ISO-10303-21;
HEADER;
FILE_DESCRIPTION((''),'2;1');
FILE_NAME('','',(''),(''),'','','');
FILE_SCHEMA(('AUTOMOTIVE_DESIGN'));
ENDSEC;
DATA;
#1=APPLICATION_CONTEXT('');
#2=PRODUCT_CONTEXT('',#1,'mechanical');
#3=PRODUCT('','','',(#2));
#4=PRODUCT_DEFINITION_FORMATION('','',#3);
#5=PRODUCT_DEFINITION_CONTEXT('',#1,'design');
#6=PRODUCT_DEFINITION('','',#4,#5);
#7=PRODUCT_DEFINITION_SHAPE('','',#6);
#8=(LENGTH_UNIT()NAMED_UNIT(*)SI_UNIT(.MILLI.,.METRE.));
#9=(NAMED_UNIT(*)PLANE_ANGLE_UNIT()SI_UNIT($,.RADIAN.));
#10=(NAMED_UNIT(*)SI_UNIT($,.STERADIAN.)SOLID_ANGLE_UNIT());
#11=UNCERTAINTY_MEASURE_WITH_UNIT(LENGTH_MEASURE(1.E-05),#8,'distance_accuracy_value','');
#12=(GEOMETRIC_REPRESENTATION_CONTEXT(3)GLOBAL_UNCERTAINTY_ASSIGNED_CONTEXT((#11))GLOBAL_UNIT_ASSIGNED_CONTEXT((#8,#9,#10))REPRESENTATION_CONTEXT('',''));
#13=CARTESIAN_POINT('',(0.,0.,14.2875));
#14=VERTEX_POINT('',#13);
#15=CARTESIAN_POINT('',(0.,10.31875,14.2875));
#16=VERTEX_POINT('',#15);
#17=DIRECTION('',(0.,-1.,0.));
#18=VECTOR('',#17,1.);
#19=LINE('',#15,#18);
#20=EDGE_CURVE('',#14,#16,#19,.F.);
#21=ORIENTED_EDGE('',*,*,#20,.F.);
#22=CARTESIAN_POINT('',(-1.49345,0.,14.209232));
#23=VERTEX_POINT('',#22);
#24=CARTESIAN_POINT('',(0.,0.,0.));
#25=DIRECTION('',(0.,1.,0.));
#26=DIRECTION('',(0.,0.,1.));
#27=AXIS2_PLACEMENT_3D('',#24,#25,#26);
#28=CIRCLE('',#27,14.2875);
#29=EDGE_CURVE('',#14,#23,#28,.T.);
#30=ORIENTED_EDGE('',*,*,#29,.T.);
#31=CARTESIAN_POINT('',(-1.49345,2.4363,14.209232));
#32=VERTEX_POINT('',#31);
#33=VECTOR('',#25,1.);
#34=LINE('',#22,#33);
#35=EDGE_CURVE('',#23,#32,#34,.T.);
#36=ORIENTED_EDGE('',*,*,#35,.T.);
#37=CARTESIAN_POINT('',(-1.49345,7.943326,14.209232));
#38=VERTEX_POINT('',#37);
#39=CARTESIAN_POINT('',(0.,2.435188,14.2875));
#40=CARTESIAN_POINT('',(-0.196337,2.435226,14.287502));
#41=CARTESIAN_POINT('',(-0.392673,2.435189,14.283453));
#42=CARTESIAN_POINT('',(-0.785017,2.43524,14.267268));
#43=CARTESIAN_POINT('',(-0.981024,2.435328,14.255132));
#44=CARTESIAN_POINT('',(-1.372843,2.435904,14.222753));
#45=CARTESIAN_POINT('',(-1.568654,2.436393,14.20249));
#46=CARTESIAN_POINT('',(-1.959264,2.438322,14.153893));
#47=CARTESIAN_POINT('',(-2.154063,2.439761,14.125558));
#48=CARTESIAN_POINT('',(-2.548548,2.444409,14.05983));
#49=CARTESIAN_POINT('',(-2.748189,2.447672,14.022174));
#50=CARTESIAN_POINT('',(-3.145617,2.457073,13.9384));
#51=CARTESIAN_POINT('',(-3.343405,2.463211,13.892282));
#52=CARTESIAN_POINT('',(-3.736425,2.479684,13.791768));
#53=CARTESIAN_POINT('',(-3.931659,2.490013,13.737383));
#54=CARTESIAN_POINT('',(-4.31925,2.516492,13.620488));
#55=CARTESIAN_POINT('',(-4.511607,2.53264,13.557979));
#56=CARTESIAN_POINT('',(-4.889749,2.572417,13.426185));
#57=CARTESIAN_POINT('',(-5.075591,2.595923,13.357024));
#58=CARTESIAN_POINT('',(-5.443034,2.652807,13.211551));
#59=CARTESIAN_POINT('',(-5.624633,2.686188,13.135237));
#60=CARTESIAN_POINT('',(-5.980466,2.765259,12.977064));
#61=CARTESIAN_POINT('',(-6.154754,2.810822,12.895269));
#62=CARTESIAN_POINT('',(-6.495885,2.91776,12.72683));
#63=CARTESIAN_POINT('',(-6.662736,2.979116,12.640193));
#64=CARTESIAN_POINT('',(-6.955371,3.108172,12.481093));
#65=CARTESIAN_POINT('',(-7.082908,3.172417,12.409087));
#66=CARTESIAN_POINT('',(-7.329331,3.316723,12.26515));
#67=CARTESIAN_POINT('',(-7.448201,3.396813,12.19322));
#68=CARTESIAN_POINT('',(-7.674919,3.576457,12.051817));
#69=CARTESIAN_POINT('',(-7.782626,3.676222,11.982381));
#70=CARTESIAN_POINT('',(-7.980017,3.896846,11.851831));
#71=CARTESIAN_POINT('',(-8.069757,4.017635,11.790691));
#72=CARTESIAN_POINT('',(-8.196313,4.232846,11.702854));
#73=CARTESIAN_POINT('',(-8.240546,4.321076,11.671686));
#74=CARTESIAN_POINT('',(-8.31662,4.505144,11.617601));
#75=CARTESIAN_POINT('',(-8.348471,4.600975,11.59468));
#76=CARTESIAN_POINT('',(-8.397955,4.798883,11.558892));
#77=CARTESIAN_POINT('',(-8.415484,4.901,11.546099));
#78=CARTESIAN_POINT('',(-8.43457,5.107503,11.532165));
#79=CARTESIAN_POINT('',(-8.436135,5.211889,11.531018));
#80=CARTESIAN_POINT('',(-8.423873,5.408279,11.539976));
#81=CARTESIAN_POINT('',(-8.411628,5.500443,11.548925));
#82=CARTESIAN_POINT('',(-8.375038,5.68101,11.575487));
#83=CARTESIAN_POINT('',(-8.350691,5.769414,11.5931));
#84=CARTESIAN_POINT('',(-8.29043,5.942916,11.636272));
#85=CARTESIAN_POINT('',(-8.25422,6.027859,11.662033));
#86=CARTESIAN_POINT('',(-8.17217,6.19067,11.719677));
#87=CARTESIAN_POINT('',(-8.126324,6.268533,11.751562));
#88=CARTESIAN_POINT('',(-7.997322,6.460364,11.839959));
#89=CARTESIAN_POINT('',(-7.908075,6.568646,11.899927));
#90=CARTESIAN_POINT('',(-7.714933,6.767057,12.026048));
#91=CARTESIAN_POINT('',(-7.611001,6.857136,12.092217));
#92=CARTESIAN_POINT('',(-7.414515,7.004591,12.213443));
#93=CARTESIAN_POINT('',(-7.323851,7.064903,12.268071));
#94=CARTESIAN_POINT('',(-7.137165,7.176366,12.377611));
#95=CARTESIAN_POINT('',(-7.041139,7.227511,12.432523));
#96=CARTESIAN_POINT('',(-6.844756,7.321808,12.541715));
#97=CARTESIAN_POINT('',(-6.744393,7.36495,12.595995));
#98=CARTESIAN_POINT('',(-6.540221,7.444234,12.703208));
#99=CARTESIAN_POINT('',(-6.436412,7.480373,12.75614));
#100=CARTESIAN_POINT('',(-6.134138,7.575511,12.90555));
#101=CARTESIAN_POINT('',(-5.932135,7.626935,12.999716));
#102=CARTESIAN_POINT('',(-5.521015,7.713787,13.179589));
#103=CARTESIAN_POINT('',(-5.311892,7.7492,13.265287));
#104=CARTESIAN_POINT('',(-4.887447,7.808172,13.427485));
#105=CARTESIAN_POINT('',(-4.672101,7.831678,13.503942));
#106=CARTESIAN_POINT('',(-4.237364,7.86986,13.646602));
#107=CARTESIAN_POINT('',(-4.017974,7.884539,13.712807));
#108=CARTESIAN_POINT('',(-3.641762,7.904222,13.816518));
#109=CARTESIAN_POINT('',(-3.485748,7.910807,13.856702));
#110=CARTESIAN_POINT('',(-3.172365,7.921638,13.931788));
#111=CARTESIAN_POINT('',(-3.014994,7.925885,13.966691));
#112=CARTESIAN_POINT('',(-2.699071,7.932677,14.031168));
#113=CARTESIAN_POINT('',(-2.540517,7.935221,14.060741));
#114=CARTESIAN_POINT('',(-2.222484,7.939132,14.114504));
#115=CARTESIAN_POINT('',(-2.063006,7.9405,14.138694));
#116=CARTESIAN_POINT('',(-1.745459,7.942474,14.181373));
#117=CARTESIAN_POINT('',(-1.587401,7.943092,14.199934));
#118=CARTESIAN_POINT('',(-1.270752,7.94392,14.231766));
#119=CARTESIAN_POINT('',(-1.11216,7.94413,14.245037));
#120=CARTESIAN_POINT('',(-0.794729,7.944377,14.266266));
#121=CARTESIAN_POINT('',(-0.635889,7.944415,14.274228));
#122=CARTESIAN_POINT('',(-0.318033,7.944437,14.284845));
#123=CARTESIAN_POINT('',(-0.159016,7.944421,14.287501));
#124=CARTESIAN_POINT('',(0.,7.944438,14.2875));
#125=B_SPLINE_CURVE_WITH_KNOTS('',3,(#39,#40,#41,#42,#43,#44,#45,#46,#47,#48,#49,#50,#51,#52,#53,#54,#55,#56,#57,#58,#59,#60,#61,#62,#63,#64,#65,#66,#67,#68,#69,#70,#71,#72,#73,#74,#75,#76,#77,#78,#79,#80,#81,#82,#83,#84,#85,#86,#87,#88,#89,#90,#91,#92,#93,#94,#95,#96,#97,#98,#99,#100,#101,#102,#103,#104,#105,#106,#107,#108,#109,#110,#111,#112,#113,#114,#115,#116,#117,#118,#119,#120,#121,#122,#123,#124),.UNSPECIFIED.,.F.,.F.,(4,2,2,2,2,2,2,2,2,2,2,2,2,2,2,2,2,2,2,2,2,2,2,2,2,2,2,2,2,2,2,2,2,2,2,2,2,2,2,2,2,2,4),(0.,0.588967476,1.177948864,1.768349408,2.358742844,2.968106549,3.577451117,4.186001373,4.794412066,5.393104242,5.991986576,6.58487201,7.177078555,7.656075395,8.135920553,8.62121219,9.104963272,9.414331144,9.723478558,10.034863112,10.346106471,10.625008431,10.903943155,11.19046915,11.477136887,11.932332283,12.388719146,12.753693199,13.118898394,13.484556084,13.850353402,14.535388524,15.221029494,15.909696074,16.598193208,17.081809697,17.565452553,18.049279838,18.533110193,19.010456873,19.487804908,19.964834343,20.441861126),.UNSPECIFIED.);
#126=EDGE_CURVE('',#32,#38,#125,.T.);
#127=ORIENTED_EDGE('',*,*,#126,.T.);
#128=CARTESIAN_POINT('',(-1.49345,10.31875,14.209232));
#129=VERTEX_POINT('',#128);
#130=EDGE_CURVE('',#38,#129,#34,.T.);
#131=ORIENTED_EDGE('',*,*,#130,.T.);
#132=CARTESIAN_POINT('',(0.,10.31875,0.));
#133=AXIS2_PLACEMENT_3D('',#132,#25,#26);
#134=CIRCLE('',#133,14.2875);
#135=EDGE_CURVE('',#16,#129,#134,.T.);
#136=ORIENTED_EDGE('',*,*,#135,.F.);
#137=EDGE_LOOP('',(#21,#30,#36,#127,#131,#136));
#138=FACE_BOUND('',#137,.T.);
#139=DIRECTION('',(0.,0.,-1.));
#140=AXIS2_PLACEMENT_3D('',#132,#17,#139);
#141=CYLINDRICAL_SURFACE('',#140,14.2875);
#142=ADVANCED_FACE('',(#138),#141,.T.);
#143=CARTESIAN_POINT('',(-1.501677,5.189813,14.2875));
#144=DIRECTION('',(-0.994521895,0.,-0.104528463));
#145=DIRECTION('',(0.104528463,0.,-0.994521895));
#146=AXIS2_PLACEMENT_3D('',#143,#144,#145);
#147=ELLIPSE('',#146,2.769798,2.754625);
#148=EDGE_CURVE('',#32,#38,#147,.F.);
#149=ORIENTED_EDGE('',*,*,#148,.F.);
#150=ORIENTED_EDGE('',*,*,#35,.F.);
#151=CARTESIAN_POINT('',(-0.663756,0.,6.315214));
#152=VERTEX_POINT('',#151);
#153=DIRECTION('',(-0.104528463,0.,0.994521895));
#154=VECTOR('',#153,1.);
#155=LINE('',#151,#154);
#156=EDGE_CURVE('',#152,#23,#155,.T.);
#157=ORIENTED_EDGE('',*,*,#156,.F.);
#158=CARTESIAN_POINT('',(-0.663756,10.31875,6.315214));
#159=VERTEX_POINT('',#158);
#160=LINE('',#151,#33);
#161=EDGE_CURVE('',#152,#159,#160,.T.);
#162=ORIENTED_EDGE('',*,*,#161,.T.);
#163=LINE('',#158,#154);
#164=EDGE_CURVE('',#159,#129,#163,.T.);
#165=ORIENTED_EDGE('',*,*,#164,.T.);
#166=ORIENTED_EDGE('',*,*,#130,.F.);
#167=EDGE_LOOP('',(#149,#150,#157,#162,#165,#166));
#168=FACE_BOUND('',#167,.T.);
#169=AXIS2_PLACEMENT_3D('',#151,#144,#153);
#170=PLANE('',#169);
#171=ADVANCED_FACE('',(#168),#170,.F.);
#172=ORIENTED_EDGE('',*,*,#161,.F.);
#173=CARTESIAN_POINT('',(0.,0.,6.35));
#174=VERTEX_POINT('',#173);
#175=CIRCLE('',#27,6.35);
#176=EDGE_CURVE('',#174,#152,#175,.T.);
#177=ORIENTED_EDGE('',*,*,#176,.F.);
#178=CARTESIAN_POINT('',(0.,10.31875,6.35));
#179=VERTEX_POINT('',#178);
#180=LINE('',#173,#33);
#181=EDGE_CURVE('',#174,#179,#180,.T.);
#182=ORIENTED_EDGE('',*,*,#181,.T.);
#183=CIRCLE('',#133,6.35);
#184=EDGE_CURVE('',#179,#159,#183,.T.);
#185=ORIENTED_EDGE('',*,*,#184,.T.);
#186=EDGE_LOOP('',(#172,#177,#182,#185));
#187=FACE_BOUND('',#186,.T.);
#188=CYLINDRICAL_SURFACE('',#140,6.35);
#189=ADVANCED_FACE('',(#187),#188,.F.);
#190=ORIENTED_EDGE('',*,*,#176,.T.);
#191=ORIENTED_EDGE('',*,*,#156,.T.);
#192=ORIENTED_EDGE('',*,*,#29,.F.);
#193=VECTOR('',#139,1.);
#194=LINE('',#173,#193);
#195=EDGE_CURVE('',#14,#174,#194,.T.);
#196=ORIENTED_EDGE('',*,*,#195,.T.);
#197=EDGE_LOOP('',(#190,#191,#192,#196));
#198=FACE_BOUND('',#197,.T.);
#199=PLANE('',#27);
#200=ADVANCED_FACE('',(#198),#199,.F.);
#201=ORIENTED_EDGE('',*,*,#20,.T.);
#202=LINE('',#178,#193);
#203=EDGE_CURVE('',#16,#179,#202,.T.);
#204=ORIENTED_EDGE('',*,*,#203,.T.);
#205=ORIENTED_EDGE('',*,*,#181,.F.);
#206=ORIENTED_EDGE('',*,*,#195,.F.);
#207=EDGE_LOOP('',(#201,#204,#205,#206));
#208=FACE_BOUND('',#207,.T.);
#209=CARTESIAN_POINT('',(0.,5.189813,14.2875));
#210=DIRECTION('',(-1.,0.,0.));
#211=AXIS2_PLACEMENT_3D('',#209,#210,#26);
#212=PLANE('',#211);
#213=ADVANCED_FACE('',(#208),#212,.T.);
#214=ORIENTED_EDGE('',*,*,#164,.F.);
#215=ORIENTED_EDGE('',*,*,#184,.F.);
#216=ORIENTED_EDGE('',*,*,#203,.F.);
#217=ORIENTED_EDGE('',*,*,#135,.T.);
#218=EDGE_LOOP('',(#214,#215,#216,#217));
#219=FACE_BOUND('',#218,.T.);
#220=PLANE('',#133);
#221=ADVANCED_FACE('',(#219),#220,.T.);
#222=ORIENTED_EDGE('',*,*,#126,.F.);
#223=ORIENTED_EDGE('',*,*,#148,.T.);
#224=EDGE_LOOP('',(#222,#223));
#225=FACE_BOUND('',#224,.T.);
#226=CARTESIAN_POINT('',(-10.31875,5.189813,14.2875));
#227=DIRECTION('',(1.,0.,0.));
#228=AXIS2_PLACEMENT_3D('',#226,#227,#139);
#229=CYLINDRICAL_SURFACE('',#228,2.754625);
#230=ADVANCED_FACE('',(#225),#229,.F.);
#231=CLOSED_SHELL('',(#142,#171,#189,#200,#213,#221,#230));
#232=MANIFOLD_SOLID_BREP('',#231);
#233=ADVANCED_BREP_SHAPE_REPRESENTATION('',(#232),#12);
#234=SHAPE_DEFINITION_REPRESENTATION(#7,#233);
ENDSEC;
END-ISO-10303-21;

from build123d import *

# Parameters (mm, degrees)
SKETCH1_R           = 14.2875
SKETCH1_R_2         = 6.35
BOSS_EXTRUDE1_DEPTH = 10.31875
CUT_EXTRUDE1_DEPTH  = 10.31875
CUT_EXTRUDE2_DEPTH  = 10.31875


with BuildPart() as part:
    # Sketch1 → Boss-Extrude1 (new body)
    with BuildSketch(Plane(origin=(0, 0, 0), x_dir=(1, 0, 0), z_dir=(0, 1, 0))):
        Circle(SKETCH1_R)
        Circle(SKETCH1_R_2, mode=Mode.SUBTRACT)
    extrude(amount=BOSS_EXTRUDE1_DEPTH)

    # Sketch2 → Cut-Extrude1 (cut)
    with BuildSketch(Plane(origin=(0, 0, 0), x_dir=(0, 0, -1), z_dir=(1, 0, 0))):
        with BuildLine():
            Line((-14.2875, 7.944437688), (-16.071181414, 7.944437688))
            Line((-16.071181414, 7.944437688), (-16.071181414, 2.435187999))
            Line((-16.071181414, 2.435187999), (-14.2875, 2.435187999))
            ThreePointArc((-14.2875, 2.435187999), (-11.532875155, 5.189812844), (-14.2875, 7.944437688))
        make_face()
    extrude(amount=-CUT_EXTRUDE1_DEPTH, mode=Mode.SUBTRACT)

    # Sketch3 → Cut-Extrude2 (cut)
    with BuildSketch(Plane(origin=(0, 10.31875, 0), x_dir=(1, 0, 0), z_dir=(0, 1, 0))):
        with BuildLine():
            Line((0, -6.35), (0, -14.2875))
            ThreePointArc((0, -14.2875), (-0.747749975, -14.267919478), (-1.493450419, -14.20923158))
            Line((-1.493450419, -14.20923158), (-0.663755742, -6.315214036))
            ThreePointArc((-0.663755742, -6.315214036), (-0.332333322, -6.341297546), (0, -6.35))
        make_face()
    extrude(amount=-CUT_EXTRUDE2_DEPTH, mode=Mode.SUBTRACT)


solid = part.part
